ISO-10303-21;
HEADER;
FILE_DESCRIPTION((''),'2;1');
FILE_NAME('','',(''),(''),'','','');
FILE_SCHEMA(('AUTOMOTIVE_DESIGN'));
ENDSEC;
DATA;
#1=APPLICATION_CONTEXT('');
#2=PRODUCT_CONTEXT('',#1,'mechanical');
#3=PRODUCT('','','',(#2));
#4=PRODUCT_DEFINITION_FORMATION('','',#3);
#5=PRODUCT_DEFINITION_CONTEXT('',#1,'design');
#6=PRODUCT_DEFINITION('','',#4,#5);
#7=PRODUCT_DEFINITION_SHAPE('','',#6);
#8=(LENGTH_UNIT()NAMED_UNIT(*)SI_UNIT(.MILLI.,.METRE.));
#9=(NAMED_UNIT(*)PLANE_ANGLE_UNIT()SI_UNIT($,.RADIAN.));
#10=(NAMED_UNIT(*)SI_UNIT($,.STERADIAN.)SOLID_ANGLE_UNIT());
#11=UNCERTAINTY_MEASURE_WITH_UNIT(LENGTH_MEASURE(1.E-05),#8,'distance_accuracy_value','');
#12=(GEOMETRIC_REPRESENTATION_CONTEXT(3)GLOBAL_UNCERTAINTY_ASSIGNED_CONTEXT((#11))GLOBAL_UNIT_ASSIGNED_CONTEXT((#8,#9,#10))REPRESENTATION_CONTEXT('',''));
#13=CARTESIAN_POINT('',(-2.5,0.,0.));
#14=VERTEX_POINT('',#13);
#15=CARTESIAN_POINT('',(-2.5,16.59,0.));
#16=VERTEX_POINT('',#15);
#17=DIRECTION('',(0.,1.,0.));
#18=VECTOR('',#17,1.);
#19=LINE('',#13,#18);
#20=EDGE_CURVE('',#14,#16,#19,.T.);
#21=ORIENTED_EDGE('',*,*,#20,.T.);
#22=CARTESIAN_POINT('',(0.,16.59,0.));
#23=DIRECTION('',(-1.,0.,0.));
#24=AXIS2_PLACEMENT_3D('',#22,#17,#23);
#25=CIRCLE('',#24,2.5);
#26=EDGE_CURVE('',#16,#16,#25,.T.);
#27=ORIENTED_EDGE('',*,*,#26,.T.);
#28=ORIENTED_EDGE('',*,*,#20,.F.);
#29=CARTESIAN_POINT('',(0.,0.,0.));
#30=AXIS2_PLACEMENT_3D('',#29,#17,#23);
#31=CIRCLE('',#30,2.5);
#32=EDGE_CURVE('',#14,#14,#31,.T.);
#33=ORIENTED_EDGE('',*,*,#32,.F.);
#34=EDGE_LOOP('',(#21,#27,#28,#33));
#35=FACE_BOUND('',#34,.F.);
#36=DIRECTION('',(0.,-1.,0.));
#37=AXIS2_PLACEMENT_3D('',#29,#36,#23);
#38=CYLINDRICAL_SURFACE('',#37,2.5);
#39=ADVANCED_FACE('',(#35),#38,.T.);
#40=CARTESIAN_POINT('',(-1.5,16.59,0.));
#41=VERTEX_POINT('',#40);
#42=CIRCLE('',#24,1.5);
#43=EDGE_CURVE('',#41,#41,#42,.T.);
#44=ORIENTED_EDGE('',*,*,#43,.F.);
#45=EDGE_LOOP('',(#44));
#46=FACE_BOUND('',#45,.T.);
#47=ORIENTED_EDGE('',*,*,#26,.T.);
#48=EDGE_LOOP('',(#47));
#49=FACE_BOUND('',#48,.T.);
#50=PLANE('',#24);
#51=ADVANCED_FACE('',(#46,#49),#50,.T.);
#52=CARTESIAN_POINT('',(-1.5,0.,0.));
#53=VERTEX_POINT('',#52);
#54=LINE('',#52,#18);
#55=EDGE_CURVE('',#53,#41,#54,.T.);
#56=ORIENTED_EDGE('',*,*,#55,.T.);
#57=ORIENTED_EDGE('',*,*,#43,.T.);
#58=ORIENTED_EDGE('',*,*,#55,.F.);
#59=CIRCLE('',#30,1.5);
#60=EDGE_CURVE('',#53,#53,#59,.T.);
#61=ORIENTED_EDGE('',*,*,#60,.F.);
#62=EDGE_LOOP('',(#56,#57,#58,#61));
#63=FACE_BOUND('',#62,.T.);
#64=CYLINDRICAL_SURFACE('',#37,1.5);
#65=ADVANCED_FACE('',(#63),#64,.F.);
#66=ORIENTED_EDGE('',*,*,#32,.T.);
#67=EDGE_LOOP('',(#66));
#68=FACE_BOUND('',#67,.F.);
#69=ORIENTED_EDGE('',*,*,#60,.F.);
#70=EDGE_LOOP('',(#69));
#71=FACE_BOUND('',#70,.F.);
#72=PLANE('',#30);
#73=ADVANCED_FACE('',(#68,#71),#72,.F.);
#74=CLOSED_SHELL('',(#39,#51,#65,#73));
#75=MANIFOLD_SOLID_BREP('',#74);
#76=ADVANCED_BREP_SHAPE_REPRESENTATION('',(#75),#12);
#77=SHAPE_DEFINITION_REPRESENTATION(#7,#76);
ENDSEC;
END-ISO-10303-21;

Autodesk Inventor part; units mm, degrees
ref_plane "YZ Plane" through (0, 0, 0) normal (1, 0, 0) x (0, 1, 0)
ref_plane "XZ Plane" through (0, 0, 0) normal (0, 1, 0) x (-1, 0, 0)
ref_plane "XY Plane" through (0, 0, 0) normal (0, 0, 1) x (1, 0, 0)
sketch "Sketch1" plane through (0, 0, 0) normal (0, 1, 0) x (-1, 0, 0)
  circle A0 centre (0, 0) radius 2.5
  circle A1 centre (0, 0) radius 1.5
  dimension "d0" = 5
  dimension "d1" = 3
extrude "Extrusion1" add sketch "Sketch1" along normal blind 16.59
properties part number "02_Column25_long"
